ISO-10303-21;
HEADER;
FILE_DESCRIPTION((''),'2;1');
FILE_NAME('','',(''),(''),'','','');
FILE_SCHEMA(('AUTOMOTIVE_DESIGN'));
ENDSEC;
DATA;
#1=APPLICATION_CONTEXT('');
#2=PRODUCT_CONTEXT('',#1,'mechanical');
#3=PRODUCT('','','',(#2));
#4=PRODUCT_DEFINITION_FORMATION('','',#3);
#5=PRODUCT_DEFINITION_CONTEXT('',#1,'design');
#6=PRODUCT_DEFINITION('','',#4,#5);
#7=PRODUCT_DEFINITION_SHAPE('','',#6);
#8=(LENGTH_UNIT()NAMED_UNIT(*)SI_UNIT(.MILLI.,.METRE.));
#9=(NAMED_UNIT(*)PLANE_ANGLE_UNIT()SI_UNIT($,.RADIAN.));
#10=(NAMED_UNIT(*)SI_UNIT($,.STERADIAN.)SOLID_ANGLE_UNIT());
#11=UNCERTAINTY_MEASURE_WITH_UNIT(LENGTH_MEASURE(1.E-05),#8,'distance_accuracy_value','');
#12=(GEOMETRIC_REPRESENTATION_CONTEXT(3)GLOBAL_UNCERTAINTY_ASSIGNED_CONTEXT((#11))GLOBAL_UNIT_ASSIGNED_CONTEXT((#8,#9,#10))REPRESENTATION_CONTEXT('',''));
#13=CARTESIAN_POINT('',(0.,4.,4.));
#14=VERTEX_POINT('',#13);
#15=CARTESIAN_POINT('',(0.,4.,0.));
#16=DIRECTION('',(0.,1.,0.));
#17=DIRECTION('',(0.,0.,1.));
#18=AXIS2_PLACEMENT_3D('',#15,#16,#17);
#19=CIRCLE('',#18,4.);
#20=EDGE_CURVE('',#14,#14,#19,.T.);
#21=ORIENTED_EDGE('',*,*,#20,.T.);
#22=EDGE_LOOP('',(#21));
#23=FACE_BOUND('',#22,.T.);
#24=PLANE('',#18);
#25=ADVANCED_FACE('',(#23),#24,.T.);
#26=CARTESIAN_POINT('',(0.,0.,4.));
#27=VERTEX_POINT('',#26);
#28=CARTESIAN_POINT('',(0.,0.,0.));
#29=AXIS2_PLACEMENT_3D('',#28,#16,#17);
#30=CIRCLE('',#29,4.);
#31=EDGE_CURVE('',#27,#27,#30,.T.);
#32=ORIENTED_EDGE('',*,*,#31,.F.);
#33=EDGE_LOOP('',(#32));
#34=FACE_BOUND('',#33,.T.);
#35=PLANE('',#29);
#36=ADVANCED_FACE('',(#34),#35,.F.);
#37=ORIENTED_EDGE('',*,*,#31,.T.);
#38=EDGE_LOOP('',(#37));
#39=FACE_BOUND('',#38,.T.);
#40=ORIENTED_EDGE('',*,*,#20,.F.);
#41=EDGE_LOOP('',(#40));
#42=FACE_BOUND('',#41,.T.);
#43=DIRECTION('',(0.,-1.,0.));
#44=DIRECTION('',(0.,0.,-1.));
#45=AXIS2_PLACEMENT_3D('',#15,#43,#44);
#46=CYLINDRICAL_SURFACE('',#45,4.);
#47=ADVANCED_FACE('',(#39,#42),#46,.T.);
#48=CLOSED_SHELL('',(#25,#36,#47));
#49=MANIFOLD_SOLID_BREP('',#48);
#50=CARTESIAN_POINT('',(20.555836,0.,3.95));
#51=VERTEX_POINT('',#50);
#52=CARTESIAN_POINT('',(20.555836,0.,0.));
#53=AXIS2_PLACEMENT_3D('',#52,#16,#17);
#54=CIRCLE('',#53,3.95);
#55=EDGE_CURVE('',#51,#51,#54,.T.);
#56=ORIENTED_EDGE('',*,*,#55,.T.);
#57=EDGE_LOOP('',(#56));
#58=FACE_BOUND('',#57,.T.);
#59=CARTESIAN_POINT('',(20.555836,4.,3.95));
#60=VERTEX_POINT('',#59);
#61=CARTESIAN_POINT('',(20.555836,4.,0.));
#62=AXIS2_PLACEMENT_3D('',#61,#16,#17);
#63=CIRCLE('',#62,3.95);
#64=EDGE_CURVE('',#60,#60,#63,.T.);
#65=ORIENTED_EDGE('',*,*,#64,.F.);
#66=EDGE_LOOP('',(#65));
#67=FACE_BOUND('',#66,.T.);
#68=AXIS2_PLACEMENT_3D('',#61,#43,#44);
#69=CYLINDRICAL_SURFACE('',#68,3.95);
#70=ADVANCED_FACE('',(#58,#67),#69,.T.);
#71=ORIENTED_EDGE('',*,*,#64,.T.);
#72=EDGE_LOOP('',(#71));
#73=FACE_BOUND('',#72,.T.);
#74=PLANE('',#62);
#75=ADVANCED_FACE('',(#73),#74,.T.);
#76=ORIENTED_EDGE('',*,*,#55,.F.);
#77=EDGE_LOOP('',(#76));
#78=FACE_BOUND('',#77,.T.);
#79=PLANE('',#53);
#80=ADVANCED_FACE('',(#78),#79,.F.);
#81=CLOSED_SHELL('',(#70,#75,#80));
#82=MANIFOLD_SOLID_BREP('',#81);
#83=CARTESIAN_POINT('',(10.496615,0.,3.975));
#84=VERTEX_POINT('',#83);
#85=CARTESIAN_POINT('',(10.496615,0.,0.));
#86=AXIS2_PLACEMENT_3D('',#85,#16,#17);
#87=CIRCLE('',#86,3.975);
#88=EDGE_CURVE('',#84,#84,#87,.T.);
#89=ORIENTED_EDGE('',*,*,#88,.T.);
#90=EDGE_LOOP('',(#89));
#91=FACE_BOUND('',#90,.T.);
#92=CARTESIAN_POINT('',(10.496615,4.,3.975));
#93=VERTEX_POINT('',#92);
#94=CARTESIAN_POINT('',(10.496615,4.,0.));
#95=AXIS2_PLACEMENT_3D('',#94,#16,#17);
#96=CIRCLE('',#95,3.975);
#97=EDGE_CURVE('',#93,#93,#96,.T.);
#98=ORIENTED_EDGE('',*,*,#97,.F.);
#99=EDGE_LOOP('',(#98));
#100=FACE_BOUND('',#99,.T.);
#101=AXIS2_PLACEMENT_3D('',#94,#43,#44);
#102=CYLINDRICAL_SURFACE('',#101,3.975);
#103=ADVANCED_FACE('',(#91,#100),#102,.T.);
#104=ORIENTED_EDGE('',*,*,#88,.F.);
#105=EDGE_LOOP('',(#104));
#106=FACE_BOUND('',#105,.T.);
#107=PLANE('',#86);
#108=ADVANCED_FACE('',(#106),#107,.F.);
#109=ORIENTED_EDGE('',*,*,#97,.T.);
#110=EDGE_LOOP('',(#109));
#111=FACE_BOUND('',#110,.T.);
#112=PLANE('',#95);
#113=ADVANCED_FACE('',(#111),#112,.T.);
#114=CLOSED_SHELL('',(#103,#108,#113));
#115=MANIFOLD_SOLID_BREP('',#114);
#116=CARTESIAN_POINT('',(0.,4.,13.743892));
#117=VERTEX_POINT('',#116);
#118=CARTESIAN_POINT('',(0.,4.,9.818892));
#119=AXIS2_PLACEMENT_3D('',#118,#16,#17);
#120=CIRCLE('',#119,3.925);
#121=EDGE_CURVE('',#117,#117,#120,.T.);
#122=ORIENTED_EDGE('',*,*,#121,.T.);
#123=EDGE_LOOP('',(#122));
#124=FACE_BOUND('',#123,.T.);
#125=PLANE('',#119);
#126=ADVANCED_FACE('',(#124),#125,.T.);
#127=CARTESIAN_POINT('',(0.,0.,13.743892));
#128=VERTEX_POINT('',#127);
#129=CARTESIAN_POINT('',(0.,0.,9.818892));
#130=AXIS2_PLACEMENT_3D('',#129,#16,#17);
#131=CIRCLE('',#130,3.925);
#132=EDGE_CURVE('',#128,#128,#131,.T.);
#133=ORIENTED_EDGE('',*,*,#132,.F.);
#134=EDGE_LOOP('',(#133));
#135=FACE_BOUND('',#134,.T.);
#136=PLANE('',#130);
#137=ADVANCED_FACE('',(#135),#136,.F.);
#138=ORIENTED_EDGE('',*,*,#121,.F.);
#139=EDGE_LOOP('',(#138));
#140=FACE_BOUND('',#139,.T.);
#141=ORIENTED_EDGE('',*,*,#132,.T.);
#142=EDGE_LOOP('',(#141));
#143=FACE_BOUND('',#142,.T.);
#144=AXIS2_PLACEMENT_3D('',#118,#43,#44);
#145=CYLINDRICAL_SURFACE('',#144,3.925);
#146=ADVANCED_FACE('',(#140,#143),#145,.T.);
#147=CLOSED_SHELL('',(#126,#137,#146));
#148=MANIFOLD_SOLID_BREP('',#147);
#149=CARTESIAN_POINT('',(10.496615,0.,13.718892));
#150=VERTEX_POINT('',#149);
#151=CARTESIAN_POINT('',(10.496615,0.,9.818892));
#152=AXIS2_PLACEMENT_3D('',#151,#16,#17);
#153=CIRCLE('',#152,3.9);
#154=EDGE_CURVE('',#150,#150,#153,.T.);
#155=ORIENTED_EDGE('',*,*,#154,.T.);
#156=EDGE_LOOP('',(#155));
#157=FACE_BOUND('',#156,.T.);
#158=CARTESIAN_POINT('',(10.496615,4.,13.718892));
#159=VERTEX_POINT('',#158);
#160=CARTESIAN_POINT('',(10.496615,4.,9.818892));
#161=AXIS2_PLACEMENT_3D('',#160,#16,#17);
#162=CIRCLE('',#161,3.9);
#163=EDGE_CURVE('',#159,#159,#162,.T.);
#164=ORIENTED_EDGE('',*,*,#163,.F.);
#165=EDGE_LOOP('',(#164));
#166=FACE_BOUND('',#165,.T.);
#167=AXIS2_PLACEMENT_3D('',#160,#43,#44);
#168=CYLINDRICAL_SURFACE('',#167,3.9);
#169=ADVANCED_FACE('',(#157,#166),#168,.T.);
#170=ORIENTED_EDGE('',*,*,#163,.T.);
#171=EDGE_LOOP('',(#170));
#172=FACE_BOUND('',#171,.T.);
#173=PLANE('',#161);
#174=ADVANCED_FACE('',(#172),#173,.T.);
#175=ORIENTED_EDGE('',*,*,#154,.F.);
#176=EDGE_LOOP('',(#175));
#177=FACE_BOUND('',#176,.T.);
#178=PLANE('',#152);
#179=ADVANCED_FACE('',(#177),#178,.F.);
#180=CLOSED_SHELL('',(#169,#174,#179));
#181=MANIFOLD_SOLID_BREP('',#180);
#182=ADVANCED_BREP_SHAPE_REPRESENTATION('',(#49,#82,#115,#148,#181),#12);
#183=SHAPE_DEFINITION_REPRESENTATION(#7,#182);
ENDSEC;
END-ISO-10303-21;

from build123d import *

# Parameters (mm, degrees)
SKETCH1_R             = 4
BOSS_EXTRUDE1_DEPTH   = 4
SKETCH1_R_2           = 3.975
BOSS_EXTRUDE1_2_DEPTH = 4
SKETCH1_R_3           = 3.95
BOSS_EXTRUDE1_3_DEPTH = 4
SKETCH1_R_4           = 3.925
BOSS_EXTRUDE1_4_DEPTH = 4
SKETCH1_R_5           = 3.9
BOSS_EXTRUDE1_5_DEPTH = 4


with BuildPart() as part:
    # Sketch1 → Boss-Extrude1 (new body)
    with BuildSketch(Plane(origin=(0, 0, 0), x_dir=(1, 0, 0), z_dir=(0, 1, 0))):
        with Locations(Location((0, 0, 0), (0, 0, 270))):
            Circle(SKETCH1_R)
    extrude(amount=BOSS_EXTRUDE1_DEPTH)


with BuildPart() as body_2:
    # Sketch1 → Boss-Extrude1 2 (new body)
    with BuildSketch(Plane(origin=(0, 0, 0), x_dir=(1, 0, 0), z_dir=(0, 1, 0))):
        with Locations(Location((10.4966154, 0, 0), (0, 0, 270))):
            Circle(SKETCH1_R_2)
    extrude(amount=BOSS_EXTRUDE1_2_DEPTH)


with BuildPart() as body_3:
    # Sketch1 → Boss-Extrude1 3 (new body)
    with BuildSketch(Plane(origin=(0, 0, 0), x_dir=(1, 0, 0), z_dir=(0, 1, 0))):
        with Locations(Location((20.55583574, 0, 0), (0, 0, 270))):
            Circle(SKETCH1_R_3)
    extrude(amount=BOSS_EXTRUDE1_3_DEPTH)


with BuildPart() as body_4:
    # Sketch1 → Boss-Extrude1 4 (new body)
    with BuildSketch(Plane(origin=(0, 0, 0), x_dir=(1, 0, 0), z_dir=(0, 1, 0))):
        with Locations(Location((0, -9.818892144, 0), (0, 0, 270))):
            Circle(SKETCH1_R_4)
    extrude(amount=BOSS_EXTRUDE1_4_DEPTH)


with BuildPart() as body_5:
    # Sketch1 → Boss-Extrude1 5 (new body)
    with BuildSketch(Plane(origin=(0, 0, 0), x_dir=(1, 0, 0), z_dir=(0, 1, 0))):
        with Locations(Location((10.4966154, -9.818892144, 0), (0, 0, 270))):
            Circle(SKETCH1_R_5)
    extrude(amount=BOSS_EXTRUDE1_5_DEPTH)


solid = Compound([part.part, body_2.part, body_3.part, body_4.part, body_5.part])
